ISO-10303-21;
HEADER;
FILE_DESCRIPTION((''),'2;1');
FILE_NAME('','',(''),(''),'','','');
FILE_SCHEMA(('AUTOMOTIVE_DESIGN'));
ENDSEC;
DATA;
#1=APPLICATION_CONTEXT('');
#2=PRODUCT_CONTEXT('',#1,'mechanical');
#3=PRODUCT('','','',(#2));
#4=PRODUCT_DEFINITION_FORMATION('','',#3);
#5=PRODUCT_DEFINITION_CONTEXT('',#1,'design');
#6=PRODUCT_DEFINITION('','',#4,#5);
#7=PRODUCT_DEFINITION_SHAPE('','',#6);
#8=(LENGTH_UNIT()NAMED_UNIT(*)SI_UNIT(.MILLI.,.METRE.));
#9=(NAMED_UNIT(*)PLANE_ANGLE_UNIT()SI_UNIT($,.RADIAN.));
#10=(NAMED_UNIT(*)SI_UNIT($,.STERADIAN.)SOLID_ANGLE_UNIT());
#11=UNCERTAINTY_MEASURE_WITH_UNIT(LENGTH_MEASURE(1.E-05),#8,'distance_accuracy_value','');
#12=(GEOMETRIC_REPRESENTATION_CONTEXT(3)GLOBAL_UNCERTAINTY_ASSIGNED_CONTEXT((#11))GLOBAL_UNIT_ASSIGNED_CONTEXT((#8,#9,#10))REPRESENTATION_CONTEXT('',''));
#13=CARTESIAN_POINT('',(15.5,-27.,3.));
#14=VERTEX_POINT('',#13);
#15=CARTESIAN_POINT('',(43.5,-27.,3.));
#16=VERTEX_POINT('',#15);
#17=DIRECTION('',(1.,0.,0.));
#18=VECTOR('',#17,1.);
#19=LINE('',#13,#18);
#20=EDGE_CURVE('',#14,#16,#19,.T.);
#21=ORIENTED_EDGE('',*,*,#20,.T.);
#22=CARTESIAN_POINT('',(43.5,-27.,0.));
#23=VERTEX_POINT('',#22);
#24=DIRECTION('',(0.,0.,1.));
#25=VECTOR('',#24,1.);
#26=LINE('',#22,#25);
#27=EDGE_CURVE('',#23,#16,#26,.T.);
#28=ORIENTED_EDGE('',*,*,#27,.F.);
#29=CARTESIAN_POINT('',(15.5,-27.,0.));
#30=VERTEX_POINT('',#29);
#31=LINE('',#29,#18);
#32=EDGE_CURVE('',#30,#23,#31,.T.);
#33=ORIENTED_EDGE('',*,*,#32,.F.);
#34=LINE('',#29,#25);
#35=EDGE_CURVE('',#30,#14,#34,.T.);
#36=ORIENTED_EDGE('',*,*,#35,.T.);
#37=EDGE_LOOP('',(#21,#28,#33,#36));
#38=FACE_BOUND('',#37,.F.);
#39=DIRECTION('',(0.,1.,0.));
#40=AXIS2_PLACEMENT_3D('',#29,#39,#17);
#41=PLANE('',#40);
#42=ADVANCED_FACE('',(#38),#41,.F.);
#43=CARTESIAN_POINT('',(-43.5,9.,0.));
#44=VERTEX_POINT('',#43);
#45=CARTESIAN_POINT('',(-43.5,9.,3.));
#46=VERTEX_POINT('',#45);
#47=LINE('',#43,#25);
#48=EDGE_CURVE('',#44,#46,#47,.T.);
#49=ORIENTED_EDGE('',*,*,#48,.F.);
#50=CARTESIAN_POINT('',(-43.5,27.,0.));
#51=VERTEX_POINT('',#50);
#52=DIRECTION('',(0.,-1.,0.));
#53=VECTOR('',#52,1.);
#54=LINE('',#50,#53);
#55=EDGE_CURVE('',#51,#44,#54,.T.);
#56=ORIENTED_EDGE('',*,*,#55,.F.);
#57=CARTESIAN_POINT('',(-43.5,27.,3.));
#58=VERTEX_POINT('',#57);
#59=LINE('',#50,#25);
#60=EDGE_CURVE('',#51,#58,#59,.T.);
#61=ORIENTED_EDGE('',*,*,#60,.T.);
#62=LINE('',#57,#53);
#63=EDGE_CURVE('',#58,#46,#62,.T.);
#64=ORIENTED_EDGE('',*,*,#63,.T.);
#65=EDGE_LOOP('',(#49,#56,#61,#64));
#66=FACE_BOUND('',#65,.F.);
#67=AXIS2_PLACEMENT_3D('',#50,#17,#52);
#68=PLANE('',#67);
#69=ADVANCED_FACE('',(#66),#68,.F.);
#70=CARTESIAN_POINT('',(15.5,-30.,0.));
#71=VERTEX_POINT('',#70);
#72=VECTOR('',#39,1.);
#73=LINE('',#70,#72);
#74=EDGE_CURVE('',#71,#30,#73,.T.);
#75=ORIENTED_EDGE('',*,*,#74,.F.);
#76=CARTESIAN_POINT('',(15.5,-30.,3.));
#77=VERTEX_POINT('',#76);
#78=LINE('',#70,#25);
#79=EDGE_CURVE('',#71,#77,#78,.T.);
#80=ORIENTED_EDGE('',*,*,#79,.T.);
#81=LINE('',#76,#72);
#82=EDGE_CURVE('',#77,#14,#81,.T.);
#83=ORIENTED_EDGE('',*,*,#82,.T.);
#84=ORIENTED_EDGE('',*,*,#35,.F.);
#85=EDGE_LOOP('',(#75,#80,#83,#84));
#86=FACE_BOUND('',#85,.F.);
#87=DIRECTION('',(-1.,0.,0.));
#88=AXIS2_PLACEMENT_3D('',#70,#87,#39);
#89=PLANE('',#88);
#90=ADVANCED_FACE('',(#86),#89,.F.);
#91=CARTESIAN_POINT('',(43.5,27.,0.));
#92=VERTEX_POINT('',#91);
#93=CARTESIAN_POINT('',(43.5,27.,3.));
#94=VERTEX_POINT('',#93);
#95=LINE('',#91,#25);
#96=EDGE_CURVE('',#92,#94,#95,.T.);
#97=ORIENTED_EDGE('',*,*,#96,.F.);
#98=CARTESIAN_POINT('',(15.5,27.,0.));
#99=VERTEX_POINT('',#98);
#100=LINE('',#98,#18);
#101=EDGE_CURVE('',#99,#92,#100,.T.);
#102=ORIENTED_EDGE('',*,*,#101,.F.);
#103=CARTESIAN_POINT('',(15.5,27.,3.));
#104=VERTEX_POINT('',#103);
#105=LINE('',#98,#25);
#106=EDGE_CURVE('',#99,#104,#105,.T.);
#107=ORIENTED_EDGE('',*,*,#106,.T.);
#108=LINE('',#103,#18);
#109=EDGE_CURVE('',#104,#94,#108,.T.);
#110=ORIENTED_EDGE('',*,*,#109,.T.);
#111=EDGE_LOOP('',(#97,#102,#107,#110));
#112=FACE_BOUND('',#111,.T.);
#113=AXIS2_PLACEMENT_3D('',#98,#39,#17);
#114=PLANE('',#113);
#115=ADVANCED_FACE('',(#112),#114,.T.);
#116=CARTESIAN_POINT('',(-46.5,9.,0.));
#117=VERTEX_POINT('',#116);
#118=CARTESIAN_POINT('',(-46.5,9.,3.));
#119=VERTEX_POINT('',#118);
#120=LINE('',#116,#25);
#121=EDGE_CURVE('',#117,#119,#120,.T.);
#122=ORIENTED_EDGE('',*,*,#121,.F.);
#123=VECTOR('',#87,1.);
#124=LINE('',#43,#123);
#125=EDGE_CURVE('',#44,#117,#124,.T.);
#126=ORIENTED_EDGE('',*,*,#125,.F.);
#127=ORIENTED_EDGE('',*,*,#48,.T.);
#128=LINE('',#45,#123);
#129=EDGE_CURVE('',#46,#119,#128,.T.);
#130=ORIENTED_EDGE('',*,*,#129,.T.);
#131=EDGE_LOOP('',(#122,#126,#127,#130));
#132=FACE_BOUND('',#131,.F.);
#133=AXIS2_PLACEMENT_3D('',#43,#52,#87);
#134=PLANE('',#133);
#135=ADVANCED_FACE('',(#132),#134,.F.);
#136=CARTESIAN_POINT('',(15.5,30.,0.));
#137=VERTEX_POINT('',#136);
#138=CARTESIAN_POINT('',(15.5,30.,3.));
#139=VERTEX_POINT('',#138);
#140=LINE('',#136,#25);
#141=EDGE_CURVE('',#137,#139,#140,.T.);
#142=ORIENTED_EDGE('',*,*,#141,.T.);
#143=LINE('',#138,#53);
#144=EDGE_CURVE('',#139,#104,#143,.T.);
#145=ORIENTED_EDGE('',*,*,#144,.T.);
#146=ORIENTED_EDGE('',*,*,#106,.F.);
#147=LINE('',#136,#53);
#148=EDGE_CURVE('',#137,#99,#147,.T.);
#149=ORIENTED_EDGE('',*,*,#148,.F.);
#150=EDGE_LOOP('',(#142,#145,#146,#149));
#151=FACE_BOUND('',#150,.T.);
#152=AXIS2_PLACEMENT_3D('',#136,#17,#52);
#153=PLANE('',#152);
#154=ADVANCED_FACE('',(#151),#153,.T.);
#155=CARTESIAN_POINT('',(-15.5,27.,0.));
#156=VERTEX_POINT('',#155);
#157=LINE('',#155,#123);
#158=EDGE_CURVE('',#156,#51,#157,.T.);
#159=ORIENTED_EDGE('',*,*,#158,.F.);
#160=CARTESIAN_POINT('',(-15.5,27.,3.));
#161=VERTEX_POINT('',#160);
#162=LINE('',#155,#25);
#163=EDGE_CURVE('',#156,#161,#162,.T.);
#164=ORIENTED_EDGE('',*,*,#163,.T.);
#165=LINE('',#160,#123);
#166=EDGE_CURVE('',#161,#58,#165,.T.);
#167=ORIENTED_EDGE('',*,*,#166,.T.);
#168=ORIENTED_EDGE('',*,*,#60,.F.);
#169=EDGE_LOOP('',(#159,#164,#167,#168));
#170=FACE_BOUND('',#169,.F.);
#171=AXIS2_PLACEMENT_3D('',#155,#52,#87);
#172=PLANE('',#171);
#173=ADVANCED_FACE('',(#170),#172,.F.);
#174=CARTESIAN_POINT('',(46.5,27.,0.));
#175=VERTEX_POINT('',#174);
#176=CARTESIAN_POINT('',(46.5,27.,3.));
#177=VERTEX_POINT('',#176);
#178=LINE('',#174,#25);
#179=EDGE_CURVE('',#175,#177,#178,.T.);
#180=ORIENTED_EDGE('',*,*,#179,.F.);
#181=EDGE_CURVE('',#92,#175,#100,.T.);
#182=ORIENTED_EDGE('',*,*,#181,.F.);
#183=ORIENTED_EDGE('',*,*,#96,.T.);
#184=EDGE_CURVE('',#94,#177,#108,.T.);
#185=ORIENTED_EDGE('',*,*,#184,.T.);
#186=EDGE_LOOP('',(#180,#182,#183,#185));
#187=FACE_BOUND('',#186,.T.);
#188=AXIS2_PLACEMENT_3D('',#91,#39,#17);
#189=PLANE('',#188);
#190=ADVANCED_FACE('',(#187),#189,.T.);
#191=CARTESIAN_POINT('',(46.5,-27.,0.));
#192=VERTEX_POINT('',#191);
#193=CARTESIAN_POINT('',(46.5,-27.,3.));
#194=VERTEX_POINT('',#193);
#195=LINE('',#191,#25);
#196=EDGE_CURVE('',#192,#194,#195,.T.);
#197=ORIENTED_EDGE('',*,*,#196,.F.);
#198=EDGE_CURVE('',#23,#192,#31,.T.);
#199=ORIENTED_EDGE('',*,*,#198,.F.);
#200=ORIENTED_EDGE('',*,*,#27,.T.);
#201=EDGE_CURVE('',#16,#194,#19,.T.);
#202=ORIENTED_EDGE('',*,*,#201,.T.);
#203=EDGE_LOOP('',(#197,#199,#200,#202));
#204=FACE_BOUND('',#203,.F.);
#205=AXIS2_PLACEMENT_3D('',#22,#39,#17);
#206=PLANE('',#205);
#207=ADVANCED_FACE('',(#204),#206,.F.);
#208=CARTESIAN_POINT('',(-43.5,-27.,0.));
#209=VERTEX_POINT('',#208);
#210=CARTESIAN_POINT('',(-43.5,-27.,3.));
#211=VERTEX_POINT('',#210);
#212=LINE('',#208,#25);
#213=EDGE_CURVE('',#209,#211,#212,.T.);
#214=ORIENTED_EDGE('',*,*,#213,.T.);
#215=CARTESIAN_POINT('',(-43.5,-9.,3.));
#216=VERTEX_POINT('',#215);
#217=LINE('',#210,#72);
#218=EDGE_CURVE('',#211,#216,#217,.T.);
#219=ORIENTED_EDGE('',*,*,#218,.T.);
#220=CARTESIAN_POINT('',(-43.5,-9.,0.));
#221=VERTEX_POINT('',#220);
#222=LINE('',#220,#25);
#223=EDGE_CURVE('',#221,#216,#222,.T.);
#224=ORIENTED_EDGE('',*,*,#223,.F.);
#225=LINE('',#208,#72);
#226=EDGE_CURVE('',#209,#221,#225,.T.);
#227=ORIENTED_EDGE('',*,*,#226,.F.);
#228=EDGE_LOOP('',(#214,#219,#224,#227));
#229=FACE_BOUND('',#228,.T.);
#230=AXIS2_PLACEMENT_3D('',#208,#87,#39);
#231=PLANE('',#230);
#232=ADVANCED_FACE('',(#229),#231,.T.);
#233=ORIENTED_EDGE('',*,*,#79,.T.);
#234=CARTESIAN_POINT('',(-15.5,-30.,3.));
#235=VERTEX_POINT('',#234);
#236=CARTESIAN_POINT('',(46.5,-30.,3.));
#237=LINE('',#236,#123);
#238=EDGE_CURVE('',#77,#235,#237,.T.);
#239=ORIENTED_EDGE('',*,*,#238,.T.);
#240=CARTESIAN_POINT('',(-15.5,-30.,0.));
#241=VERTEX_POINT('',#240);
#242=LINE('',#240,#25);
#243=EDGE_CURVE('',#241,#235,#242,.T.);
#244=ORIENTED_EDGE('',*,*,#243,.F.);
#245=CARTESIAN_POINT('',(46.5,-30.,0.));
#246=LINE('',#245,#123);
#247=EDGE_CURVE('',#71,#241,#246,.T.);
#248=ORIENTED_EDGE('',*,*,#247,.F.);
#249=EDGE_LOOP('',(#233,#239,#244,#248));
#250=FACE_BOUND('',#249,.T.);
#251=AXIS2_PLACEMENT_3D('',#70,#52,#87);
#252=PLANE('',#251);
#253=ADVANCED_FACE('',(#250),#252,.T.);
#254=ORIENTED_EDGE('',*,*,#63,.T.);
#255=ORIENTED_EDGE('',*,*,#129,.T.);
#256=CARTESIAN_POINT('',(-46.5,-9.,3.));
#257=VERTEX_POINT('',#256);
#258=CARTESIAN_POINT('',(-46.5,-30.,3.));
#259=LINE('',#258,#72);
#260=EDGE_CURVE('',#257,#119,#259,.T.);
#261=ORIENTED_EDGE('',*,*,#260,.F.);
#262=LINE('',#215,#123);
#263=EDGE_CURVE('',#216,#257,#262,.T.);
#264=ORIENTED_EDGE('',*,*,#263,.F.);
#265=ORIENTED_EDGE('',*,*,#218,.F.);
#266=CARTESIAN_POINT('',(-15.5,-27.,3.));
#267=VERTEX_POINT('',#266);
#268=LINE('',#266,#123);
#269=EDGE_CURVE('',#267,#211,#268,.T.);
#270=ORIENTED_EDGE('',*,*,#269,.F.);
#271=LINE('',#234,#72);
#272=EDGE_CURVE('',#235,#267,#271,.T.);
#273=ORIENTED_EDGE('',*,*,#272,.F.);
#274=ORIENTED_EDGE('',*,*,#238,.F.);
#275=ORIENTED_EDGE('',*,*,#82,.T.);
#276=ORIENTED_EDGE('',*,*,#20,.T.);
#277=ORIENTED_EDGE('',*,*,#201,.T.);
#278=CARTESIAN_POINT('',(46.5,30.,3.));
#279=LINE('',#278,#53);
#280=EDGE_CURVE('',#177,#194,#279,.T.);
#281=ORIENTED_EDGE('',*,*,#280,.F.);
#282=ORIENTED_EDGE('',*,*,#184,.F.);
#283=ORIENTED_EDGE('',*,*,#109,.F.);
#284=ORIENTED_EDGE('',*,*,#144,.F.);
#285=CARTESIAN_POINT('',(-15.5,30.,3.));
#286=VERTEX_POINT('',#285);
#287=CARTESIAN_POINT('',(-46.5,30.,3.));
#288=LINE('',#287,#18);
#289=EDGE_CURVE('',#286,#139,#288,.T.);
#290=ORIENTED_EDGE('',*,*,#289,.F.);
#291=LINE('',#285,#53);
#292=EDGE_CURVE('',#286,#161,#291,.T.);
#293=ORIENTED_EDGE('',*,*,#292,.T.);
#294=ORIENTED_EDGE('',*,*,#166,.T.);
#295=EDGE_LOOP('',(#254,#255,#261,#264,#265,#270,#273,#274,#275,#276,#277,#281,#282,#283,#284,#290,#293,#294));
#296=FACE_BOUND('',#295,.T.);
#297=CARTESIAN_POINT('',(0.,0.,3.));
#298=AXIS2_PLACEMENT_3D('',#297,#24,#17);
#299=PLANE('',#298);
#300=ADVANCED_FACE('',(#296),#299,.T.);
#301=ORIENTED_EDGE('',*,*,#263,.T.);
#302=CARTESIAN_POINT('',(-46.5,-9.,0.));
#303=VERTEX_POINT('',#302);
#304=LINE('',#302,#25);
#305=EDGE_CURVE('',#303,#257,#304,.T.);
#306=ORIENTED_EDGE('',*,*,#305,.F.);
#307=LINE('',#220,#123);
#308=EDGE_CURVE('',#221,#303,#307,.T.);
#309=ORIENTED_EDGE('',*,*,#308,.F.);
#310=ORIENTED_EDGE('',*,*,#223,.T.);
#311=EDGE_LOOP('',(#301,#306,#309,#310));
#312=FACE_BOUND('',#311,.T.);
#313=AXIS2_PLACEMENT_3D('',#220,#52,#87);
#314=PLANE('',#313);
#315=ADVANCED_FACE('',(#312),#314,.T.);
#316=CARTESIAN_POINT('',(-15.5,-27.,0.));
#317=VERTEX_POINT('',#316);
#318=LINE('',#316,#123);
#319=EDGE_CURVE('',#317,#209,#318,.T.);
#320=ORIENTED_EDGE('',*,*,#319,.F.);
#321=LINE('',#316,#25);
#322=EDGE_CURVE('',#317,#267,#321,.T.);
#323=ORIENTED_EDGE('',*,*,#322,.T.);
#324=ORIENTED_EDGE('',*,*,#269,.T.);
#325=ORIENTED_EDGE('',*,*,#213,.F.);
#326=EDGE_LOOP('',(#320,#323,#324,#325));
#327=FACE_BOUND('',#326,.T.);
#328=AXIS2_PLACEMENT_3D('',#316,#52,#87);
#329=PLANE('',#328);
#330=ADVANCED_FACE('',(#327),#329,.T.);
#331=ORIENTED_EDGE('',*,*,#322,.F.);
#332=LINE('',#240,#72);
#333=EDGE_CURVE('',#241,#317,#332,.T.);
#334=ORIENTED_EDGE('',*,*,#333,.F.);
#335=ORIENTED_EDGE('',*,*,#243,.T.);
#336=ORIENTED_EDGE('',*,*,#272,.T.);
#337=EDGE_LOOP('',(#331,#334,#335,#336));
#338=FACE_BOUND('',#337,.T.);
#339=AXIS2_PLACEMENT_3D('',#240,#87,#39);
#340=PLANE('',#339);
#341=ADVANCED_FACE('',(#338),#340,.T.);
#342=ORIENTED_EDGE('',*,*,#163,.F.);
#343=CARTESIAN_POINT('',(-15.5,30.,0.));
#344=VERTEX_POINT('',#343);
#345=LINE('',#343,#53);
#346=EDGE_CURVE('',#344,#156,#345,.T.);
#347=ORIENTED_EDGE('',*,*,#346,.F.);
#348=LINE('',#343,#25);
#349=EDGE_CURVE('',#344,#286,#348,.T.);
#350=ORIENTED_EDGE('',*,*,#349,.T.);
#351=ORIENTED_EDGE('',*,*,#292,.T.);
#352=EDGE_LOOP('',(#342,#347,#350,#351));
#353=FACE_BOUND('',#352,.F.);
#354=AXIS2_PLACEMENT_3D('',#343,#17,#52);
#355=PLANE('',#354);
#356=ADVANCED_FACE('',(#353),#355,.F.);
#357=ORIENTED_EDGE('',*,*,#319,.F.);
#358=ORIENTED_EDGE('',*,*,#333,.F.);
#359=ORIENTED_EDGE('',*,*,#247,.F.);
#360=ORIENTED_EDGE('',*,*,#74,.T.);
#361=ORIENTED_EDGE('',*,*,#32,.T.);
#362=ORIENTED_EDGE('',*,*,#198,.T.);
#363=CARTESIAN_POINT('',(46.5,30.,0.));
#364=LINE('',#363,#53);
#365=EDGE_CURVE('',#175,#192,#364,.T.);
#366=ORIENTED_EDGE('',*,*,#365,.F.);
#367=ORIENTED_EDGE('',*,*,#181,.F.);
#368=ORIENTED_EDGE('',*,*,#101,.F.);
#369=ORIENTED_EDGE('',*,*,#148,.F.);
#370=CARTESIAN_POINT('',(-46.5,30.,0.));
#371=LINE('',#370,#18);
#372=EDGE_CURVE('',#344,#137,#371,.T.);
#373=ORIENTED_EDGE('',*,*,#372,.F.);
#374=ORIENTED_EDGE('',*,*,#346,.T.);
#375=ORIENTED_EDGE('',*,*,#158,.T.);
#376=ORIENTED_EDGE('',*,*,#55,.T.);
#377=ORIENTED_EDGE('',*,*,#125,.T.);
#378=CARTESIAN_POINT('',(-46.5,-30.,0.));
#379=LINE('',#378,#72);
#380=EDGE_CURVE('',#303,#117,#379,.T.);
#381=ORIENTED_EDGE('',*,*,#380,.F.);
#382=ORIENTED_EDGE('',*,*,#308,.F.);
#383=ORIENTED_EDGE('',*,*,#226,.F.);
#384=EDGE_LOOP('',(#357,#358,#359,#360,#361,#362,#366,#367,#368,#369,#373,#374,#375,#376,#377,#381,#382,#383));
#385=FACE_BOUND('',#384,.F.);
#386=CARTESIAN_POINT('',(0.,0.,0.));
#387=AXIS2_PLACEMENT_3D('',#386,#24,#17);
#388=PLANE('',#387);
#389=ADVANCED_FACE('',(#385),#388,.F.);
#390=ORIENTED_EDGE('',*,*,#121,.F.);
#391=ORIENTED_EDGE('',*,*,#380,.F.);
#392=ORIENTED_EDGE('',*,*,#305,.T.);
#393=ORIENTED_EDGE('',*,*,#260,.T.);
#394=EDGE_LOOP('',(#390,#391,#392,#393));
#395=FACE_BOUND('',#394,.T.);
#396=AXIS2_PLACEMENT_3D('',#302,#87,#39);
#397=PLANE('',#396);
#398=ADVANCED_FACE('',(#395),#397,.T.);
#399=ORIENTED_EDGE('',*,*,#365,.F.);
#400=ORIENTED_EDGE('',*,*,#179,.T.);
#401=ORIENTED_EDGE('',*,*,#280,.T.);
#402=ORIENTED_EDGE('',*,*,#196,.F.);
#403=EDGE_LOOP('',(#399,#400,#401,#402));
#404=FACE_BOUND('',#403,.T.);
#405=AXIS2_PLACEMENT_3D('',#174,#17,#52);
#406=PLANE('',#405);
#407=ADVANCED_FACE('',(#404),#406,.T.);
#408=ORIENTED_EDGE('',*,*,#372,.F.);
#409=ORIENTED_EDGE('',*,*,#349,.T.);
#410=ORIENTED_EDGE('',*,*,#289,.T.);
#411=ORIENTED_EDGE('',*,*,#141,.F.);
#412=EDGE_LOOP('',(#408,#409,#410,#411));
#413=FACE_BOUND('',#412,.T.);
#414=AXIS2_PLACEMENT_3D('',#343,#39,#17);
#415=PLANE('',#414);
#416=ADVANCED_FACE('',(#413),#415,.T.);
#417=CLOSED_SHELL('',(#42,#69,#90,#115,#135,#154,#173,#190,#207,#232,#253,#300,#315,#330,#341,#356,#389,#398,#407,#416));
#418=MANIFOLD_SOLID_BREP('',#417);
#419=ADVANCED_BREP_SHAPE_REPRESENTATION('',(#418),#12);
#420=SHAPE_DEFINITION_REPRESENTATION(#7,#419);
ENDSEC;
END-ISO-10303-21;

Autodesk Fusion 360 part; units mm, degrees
sketch "Sketch1" plane through (0, 0, 0) normal (0, 0, 1) x (1, 0, 0)
  line L0 (-46.5, 30) -> (46.5, 30)
  line L1 (46.5, 30) -> (46.5, -30)
  line L2 (46.5, -30) -> (-46.5, -30)
  line L3 (-46.5, -30) -> (-46.5, 30)
  line L4 (-46.5, 30) -> (46.5, -30) construction
  line L5 (46.5, 30) -> (-46.5, -30) construction
  line L6 (-46.5, 30) -> (-15.5, 30)
  line L7 (-15.5, 30) -> (-15.5, 27)
  line L8 (-15.5, 27) -> (-46.5, 27)
  line L9 (-46.5, 27) -> (-46.5, 30)
  line L10 (-46.5, -30) -> (-15.5, -30)
  line L11 (-15.5, -30) -> (-15.5, -27)
  line L12 (-15.5, -27) -> (-46.5, -27)
  line L13 (-46.5, -27) -> (-46.5, -30)
  line L14 (46.5, 30) -> (15.5, 30)
  line L15 (15.5, 30) -> (15.5, 27)
  line L16 (15.5, 27) -> (46.5, 27)
  line L17 (46.5, 27) -> (46.5, 30)
  line L18 (46.5, -30) -> (15.5, -30)
  line L19 (15.5, -30) -> (15.5, -27)
  line L20 (15.5, -27) -> (46.5, -27)
  line L21 (46.5, -27) -> (46.5, -30)
  line L22 (46.5, 30) -> (43.5, 30)
  line L23 (43.5, 30) -> (43.5, 27)
  line L24 (43.5, 27) -> (46.5, 27)
  line L25 (46.5, 27) -> (46.5, 30)
  line L26 (46.5, -30) -> (43.5, -30)
  line L27 (43.5, -30) -> (43.5, -27)
  line L28 (43.5, -27) -> (46.5, -27)
  line L29 (46.5, -27) -> (46.5, -30)
  line L30 (-46.5, 27) -> (-43.5, 27)
  line L31 (-43.5, 27) -> (-43.5, 9)
  line L32 (-43.5, 9) -> (-46.5, 9)
  line L33 (-46.5, 9) -> (-46.5, 27)
  line L34 (-46.5, -27) -> (-43.5, -27)
  line L35 (-43.5, -27) -> (-43.5, -9)
  line L36 (-43.5, -9) -> (-46.5, -9)
  line L37 (-46.5, -9) -> (-46.5, -27)
  dimension "d1" = 93
  dimension "d2" = 60
  dimension "d3" = 31
  dimension "d4" = 3
  dimension "d5" = 31
  dimension "d6" = 3
  dimension "d7" = 31
  dimension "d8" = 3
  dimension "d9" = 31
  dimension "d10" = 3
  dimension "d11" = 3
  dimension "d12" = 3
  dimension "d13" = 3
  dimension "d14" = 3
  dimension "d15" = 3
  dimension "d16" = 18
  dimension "d17" = 3
  dimension "d18" = 18
extrude "Extrude1" add sketch "Sketch1" along normal blind 3 contours L0 L1 L2 L3 L7 L8 L11 L12 L15 L16 L19 L20 L24 L28 L31 L32 L35 L36
sketch "Sketch2" plane through (0, 0, 3) normal (0, 0, 1) x (-1, 0, 0)
  line L0 (-15.5, 30) -> (-15.5, 27)
  line L1 (-15.5, 27) -> (-46.5, 27)
  line L2 (-46.5, 27) -> (-46.5, -27)
  line L3 (-46.5, -27) -> (-15.5, -27)
  line L4 (-15.5, -27) -> (-15.5, -30)
  line L5 (-15.5, -30) -> (15.5, -30)
  line L6 (15.5, -30) -> (15.5, -27)
  line L7 (15.5, -27) -> (43.5, -27)
  line L8 (43.5, -27) -> (43.5, -9)
  line L9 (43.5, -9) -> (46.5, -9)
  line L10 (46.5, -9) -> (46.5, 9)
  line L11 (46.5, 9) -> (43.5, 9)
  line L12 (43.5, 9) -> (43.5, 27)
  line L13 (43.5, 27) -> (15.5, 27)
  line L14 (15.5, 27) -> (15.5, 30)
  line L15 (15.5, 30) -> (-15.5, 30)
